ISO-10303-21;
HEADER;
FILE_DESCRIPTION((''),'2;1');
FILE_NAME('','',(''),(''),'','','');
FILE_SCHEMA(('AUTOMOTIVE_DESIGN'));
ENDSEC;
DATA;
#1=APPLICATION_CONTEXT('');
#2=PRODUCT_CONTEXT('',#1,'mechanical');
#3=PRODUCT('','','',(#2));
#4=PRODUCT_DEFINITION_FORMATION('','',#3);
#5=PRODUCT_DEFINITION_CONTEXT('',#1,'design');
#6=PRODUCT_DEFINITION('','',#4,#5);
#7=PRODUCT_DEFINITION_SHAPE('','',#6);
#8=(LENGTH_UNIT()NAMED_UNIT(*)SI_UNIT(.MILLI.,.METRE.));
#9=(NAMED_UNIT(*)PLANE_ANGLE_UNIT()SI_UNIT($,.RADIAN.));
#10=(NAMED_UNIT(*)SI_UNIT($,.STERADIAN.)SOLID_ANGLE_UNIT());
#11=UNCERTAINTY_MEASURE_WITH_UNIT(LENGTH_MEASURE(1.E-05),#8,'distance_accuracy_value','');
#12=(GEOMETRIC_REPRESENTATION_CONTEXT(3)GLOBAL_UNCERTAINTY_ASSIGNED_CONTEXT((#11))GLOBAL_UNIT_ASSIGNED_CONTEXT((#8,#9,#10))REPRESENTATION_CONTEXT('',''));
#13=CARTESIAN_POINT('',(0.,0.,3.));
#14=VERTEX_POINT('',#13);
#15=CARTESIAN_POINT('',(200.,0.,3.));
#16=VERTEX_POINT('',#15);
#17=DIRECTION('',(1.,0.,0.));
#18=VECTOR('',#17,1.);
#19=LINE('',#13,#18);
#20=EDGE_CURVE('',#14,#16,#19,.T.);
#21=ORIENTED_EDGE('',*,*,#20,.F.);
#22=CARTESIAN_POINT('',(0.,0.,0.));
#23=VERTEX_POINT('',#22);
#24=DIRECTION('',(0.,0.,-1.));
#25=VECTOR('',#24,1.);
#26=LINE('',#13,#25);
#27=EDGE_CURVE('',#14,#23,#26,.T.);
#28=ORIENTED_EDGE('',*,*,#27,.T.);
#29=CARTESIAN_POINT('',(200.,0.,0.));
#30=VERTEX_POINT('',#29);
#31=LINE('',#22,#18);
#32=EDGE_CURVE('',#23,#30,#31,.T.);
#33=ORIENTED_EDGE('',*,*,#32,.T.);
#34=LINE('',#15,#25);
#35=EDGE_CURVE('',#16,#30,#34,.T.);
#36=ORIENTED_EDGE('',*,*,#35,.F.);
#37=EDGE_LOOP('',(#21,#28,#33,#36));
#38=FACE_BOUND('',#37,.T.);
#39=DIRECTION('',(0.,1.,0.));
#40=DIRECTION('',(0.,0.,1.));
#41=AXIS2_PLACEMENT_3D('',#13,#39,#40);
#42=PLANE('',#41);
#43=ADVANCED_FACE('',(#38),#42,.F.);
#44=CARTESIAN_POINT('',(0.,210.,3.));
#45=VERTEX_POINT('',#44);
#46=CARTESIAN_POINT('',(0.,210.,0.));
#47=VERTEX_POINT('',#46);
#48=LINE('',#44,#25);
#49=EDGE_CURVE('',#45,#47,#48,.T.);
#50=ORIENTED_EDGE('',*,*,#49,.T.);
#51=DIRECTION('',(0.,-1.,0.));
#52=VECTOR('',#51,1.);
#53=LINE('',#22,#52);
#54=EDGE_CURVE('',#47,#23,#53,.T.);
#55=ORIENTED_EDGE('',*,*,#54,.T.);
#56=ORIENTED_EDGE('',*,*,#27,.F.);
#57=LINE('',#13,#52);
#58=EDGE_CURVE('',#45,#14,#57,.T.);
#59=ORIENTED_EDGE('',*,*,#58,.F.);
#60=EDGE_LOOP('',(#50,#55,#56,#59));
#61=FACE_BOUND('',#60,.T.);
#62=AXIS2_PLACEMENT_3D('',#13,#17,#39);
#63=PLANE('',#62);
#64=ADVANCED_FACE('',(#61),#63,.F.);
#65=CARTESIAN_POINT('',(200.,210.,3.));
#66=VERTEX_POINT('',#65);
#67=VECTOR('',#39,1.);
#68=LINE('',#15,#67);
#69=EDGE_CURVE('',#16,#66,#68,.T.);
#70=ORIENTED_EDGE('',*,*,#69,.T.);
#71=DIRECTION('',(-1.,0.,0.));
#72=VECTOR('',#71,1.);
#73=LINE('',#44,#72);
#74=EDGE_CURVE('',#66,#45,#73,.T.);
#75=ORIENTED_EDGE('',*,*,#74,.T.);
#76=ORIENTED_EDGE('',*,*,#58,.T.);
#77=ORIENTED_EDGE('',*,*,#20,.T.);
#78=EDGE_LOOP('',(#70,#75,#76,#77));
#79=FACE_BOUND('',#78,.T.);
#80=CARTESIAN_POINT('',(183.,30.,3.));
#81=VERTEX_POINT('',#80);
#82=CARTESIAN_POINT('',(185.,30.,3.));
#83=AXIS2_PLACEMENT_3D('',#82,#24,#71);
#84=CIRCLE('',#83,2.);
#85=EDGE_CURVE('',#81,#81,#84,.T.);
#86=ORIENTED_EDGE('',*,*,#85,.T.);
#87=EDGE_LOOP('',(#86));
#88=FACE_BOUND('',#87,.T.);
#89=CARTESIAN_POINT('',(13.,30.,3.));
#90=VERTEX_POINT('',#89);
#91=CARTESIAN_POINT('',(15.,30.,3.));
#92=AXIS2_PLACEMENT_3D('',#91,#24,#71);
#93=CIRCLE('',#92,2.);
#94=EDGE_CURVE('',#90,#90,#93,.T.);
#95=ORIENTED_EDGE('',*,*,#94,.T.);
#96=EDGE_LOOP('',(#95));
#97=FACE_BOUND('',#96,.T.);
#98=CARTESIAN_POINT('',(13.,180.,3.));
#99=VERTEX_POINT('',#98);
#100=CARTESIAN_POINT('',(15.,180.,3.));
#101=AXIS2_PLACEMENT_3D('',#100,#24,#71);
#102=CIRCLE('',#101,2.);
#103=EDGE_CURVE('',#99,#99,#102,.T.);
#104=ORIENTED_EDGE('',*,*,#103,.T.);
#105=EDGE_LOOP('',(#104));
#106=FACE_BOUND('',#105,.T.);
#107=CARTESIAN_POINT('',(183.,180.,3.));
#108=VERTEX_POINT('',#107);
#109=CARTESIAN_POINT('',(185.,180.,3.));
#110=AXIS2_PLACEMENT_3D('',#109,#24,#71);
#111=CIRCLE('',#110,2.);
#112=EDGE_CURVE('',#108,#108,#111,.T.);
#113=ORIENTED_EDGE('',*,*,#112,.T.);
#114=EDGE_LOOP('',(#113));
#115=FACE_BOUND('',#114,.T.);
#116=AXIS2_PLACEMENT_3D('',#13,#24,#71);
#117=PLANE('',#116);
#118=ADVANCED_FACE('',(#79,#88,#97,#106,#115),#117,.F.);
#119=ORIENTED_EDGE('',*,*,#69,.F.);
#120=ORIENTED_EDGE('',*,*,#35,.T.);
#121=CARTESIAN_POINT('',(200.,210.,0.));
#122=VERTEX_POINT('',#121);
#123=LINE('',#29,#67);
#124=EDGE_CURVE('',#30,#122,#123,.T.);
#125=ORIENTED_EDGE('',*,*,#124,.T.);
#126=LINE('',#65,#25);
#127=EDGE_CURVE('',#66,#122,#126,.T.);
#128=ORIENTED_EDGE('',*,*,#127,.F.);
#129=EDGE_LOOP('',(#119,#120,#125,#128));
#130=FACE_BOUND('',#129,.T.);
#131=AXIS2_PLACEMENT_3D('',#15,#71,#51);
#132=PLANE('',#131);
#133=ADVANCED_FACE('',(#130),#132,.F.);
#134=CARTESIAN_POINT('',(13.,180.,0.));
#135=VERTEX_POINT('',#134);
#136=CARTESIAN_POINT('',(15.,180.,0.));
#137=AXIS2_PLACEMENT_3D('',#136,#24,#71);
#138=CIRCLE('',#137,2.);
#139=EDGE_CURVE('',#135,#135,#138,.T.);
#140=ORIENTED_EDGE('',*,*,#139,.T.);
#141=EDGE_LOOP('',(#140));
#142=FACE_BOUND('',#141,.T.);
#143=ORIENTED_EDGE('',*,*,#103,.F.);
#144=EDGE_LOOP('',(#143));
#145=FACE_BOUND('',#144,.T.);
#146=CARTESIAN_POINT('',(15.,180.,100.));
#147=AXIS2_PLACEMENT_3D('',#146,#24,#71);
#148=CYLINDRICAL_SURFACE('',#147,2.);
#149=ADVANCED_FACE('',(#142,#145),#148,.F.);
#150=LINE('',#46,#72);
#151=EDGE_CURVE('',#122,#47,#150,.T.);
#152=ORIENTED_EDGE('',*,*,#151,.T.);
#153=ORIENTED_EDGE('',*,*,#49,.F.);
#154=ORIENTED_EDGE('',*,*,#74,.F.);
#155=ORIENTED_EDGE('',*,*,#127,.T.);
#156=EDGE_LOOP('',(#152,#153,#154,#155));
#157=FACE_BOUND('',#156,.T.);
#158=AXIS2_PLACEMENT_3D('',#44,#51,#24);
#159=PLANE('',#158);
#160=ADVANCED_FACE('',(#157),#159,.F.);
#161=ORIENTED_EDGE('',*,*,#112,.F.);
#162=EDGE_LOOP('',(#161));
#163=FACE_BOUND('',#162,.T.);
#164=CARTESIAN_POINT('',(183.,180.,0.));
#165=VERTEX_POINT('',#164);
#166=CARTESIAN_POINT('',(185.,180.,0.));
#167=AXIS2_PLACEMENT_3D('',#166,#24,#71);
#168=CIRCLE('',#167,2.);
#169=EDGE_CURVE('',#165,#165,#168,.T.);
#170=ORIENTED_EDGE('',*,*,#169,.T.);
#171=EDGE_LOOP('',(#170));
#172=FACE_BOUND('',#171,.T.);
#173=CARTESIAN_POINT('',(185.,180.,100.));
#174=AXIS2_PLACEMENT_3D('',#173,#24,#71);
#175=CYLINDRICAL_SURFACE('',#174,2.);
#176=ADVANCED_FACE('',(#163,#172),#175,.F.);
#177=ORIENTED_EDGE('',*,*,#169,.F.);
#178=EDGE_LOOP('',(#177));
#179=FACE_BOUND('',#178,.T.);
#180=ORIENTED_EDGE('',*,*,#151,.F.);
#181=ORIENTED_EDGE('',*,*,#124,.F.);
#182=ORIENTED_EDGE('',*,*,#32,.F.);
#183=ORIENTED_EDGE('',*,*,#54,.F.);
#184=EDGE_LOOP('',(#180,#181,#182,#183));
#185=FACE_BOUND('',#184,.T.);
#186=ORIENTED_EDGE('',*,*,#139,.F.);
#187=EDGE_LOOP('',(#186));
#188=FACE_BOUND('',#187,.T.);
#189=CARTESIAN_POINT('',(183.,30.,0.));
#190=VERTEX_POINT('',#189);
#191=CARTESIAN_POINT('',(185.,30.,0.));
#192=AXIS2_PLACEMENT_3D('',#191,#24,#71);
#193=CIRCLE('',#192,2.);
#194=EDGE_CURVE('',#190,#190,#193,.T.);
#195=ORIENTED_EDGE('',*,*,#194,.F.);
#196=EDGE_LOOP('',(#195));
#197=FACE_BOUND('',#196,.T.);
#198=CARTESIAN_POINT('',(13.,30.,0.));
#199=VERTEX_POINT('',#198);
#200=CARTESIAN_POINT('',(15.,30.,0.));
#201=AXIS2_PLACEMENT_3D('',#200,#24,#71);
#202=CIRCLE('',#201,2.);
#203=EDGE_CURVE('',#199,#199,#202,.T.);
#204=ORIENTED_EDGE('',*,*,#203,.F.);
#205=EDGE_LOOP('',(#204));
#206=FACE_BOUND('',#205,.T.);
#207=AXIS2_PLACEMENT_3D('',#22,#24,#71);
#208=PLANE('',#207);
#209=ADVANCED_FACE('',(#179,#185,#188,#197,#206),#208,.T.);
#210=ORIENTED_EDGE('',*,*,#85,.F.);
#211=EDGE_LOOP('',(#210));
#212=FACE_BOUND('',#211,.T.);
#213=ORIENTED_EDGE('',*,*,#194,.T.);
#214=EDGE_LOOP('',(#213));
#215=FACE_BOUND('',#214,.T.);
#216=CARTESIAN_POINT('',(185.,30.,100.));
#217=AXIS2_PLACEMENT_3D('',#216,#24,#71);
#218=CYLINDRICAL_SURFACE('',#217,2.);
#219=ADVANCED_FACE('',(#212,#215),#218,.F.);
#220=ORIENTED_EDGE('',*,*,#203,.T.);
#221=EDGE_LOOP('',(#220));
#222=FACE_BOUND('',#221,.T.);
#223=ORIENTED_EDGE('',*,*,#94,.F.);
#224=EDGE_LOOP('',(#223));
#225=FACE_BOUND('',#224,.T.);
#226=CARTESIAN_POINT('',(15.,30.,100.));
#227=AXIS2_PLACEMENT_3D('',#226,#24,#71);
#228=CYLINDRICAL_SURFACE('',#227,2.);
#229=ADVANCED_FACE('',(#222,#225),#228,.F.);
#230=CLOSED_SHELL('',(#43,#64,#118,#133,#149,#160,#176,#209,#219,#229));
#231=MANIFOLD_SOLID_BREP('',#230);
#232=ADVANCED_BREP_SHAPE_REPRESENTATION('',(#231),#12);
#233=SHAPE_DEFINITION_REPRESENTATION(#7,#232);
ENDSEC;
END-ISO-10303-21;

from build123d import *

# Parameters (mm, degrees)
SKETCH1_W           = 200
SKETCH1_H           = 210
BOSS_EXTRUDE1_DEPTH = 3
SKETCH2_R           = 2
CUT_EXTRUDE1_DEPTH  = 100


with BuildPart() as part:
    # Sketch1 → Boss-Extrude1 (new body)
    with BuildSketch(Plane.XY):
        with Locations((100, 105)):
            Rectangle(SKETCH1_W, SKETCH1_H)
    extrude(amount=BOSS_EXTRUDE1_DEPTH)

    # Sketch2 → Cut-Extrude1 (cut)
    with BuildSketch(Plane(origin=(0, 0, 0), x_dir=(-1, 0, 0), z_dir=(0, 0, -1))):
        with Locations((-185, 180)):
            Circle(SKETCH2_R)
        with Locations((-185, 30)):
            Circle(SKETCH2_R)
        with Locations((-15, 30)):
            Circle(SKETCH2_R)
        with Locations((-15, 180)):
            Circle(SKETCH2_R)
    extrude(amount=-CUT_EXTRUDE1_DEPTH, mode=Mode.SUBTRACT)


solid = part.part
